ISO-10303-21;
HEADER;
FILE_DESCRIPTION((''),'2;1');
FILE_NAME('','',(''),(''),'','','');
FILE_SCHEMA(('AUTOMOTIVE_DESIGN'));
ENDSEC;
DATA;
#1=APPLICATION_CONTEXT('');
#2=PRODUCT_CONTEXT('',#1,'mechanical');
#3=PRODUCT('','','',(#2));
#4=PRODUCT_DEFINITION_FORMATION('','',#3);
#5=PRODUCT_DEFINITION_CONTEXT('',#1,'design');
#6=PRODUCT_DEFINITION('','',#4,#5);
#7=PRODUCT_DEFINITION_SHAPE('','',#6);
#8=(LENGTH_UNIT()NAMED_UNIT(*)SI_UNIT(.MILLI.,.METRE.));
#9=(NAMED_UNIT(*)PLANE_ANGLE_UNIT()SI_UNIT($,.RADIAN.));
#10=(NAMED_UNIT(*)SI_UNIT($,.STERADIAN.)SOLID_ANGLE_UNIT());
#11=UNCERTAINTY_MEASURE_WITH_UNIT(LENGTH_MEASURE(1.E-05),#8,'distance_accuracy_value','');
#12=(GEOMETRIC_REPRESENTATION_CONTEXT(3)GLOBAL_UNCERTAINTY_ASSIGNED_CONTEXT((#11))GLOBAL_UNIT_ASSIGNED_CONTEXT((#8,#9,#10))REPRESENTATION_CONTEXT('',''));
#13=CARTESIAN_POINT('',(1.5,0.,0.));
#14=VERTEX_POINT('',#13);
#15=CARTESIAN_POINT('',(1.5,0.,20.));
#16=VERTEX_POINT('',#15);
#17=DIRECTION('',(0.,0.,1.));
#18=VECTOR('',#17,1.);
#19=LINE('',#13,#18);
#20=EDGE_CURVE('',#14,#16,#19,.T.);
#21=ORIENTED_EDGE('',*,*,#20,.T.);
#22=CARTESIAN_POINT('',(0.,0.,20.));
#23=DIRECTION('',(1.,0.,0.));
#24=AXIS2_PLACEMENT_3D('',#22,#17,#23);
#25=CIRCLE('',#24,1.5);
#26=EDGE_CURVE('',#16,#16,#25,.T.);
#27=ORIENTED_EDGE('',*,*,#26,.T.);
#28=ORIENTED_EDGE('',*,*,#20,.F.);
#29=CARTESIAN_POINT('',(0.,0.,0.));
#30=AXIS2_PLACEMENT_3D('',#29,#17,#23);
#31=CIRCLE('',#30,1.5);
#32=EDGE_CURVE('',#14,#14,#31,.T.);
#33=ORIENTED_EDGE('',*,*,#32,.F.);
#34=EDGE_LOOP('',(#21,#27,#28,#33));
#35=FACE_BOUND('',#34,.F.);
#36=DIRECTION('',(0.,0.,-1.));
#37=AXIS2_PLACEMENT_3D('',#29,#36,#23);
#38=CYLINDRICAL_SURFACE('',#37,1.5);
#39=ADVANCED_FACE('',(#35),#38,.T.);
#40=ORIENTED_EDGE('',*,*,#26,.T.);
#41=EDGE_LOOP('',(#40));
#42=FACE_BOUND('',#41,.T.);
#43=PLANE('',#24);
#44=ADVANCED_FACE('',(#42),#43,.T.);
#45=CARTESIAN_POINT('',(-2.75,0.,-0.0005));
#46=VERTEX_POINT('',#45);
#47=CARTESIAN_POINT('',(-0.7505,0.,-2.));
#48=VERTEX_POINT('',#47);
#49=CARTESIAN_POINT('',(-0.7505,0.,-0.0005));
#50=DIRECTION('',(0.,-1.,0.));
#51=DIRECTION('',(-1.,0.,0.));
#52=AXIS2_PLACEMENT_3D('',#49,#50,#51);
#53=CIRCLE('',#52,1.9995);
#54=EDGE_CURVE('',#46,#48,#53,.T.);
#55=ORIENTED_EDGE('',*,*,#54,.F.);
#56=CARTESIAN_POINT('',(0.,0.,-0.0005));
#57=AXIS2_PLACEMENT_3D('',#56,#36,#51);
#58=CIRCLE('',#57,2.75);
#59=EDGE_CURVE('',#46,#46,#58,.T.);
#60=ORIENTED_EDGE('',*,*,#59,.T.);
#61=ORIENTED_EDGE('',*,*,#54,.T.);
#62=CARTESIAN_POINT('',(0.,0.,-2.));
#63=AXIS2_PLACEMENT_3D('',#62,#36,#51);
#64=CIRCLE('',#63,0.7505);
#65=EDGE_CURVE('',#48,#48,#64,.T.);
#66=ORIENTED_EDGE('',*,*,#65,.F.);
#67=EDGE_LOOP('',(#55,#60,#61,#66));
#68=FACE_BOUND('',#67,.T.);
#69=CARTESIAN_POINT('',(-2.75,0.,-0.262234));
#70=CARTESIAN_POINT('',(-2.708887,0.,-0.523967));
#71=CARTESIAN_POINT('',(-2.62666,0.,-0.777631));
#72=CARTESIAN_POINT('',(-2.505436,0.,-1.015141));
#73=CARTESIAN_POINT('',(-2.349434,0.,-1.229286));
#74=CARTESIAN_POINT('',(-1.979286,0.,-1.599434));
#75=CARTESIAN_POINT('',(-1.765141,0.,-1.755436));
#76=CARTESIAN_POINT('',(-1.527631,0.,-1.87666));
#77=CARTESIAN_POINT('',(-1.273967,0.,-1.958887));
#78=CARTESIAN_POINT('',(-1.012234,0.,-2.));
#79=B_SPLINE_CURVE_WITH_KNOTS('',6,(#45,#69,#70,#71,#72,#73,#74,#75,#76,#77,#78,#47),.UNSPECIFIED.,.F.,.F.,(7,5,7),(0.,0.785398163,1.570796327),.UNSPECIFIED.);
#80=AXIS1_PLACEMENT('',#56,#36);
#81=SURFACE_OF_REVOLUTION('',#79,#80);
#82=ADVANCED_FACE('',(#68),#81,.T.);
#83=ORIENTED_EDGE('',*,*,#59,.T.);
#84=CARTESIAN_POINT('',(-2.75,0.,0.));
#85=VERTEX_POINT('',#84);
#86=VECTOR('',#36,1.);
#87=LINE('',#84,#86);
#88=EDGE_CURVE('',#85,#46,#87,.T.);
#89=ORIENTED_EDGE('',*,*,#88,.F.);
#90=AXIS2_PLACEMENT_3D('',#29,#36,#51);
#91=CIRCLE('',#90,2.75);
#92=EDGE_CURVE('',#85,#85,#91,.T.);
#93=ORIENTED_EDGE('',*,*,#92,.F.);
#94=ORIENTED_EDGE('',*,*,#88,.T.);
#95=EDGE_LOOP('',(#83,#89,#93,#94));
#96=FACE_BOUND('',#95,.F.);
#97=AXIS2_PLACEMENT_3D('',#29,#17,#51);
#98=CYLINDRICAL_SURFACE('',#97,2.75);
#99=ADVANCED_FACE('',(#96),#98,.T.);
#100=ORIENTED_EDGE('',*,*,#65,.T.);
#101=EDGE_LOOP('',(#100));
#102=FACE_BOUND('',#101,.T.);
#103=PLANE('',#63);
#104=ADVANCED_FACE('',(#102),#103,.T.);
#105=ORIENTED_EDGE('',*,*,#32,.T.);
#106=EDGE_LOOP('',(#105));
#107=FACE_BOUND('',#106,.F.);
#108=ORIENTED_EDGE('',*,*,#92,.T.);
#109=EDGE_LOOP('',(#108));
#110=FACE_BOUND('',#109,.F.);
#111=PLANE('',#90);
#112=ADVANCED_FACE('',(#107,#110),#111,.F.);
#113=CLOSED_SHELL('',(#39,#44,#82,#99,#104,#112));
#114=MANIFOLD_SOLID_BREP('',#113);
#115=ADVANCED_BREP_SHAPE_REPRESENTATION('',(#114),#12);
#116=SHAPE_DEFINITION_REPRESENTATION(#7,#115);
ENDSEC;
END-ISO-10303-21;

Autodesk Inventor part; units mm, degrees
ref_plane "YZ Plane" through (0, 0, 0) normal (1, 0, 0) x (0, 1, 0)
ref_plane "XZ Plane" through (0, 0, 0) normal (0, 1, 0) x (-1, 0, 0)
ref_plane "XY Plane" through (0, 0, 0) normal (0, 0, 1) x (1, 0, 0)
sketch "スケッチ1" plane through (0, 0, 0) normal (0, 0, 1) x (1, 0, 0)
  circle A0 centre (0, 0) radius 1.5
  dimension "d0" = 3
extrude "押し出し1" add sketch "スケッチ1" along normal blind 20
sketch "スケッチ2" plane through (0, 0, 0) normal (0, 0, -1) x (-1, 0, 0)
  circle A0 centre (0, 0) radius 2.75
  dimension "d3" = 5.5
extrude "押し出し2" add sketch "スケッチ2" along normal blind 2
fillet "フィレット1" radius 2 1 edges at (2.75, 0, -2)
thread "ねじ1" size "M3x0.5" class "6g" standard "ANSI Metric M Profile" full length
properties part number "ネジ鍋m3,20" material "鋼、高強度、低合金"
